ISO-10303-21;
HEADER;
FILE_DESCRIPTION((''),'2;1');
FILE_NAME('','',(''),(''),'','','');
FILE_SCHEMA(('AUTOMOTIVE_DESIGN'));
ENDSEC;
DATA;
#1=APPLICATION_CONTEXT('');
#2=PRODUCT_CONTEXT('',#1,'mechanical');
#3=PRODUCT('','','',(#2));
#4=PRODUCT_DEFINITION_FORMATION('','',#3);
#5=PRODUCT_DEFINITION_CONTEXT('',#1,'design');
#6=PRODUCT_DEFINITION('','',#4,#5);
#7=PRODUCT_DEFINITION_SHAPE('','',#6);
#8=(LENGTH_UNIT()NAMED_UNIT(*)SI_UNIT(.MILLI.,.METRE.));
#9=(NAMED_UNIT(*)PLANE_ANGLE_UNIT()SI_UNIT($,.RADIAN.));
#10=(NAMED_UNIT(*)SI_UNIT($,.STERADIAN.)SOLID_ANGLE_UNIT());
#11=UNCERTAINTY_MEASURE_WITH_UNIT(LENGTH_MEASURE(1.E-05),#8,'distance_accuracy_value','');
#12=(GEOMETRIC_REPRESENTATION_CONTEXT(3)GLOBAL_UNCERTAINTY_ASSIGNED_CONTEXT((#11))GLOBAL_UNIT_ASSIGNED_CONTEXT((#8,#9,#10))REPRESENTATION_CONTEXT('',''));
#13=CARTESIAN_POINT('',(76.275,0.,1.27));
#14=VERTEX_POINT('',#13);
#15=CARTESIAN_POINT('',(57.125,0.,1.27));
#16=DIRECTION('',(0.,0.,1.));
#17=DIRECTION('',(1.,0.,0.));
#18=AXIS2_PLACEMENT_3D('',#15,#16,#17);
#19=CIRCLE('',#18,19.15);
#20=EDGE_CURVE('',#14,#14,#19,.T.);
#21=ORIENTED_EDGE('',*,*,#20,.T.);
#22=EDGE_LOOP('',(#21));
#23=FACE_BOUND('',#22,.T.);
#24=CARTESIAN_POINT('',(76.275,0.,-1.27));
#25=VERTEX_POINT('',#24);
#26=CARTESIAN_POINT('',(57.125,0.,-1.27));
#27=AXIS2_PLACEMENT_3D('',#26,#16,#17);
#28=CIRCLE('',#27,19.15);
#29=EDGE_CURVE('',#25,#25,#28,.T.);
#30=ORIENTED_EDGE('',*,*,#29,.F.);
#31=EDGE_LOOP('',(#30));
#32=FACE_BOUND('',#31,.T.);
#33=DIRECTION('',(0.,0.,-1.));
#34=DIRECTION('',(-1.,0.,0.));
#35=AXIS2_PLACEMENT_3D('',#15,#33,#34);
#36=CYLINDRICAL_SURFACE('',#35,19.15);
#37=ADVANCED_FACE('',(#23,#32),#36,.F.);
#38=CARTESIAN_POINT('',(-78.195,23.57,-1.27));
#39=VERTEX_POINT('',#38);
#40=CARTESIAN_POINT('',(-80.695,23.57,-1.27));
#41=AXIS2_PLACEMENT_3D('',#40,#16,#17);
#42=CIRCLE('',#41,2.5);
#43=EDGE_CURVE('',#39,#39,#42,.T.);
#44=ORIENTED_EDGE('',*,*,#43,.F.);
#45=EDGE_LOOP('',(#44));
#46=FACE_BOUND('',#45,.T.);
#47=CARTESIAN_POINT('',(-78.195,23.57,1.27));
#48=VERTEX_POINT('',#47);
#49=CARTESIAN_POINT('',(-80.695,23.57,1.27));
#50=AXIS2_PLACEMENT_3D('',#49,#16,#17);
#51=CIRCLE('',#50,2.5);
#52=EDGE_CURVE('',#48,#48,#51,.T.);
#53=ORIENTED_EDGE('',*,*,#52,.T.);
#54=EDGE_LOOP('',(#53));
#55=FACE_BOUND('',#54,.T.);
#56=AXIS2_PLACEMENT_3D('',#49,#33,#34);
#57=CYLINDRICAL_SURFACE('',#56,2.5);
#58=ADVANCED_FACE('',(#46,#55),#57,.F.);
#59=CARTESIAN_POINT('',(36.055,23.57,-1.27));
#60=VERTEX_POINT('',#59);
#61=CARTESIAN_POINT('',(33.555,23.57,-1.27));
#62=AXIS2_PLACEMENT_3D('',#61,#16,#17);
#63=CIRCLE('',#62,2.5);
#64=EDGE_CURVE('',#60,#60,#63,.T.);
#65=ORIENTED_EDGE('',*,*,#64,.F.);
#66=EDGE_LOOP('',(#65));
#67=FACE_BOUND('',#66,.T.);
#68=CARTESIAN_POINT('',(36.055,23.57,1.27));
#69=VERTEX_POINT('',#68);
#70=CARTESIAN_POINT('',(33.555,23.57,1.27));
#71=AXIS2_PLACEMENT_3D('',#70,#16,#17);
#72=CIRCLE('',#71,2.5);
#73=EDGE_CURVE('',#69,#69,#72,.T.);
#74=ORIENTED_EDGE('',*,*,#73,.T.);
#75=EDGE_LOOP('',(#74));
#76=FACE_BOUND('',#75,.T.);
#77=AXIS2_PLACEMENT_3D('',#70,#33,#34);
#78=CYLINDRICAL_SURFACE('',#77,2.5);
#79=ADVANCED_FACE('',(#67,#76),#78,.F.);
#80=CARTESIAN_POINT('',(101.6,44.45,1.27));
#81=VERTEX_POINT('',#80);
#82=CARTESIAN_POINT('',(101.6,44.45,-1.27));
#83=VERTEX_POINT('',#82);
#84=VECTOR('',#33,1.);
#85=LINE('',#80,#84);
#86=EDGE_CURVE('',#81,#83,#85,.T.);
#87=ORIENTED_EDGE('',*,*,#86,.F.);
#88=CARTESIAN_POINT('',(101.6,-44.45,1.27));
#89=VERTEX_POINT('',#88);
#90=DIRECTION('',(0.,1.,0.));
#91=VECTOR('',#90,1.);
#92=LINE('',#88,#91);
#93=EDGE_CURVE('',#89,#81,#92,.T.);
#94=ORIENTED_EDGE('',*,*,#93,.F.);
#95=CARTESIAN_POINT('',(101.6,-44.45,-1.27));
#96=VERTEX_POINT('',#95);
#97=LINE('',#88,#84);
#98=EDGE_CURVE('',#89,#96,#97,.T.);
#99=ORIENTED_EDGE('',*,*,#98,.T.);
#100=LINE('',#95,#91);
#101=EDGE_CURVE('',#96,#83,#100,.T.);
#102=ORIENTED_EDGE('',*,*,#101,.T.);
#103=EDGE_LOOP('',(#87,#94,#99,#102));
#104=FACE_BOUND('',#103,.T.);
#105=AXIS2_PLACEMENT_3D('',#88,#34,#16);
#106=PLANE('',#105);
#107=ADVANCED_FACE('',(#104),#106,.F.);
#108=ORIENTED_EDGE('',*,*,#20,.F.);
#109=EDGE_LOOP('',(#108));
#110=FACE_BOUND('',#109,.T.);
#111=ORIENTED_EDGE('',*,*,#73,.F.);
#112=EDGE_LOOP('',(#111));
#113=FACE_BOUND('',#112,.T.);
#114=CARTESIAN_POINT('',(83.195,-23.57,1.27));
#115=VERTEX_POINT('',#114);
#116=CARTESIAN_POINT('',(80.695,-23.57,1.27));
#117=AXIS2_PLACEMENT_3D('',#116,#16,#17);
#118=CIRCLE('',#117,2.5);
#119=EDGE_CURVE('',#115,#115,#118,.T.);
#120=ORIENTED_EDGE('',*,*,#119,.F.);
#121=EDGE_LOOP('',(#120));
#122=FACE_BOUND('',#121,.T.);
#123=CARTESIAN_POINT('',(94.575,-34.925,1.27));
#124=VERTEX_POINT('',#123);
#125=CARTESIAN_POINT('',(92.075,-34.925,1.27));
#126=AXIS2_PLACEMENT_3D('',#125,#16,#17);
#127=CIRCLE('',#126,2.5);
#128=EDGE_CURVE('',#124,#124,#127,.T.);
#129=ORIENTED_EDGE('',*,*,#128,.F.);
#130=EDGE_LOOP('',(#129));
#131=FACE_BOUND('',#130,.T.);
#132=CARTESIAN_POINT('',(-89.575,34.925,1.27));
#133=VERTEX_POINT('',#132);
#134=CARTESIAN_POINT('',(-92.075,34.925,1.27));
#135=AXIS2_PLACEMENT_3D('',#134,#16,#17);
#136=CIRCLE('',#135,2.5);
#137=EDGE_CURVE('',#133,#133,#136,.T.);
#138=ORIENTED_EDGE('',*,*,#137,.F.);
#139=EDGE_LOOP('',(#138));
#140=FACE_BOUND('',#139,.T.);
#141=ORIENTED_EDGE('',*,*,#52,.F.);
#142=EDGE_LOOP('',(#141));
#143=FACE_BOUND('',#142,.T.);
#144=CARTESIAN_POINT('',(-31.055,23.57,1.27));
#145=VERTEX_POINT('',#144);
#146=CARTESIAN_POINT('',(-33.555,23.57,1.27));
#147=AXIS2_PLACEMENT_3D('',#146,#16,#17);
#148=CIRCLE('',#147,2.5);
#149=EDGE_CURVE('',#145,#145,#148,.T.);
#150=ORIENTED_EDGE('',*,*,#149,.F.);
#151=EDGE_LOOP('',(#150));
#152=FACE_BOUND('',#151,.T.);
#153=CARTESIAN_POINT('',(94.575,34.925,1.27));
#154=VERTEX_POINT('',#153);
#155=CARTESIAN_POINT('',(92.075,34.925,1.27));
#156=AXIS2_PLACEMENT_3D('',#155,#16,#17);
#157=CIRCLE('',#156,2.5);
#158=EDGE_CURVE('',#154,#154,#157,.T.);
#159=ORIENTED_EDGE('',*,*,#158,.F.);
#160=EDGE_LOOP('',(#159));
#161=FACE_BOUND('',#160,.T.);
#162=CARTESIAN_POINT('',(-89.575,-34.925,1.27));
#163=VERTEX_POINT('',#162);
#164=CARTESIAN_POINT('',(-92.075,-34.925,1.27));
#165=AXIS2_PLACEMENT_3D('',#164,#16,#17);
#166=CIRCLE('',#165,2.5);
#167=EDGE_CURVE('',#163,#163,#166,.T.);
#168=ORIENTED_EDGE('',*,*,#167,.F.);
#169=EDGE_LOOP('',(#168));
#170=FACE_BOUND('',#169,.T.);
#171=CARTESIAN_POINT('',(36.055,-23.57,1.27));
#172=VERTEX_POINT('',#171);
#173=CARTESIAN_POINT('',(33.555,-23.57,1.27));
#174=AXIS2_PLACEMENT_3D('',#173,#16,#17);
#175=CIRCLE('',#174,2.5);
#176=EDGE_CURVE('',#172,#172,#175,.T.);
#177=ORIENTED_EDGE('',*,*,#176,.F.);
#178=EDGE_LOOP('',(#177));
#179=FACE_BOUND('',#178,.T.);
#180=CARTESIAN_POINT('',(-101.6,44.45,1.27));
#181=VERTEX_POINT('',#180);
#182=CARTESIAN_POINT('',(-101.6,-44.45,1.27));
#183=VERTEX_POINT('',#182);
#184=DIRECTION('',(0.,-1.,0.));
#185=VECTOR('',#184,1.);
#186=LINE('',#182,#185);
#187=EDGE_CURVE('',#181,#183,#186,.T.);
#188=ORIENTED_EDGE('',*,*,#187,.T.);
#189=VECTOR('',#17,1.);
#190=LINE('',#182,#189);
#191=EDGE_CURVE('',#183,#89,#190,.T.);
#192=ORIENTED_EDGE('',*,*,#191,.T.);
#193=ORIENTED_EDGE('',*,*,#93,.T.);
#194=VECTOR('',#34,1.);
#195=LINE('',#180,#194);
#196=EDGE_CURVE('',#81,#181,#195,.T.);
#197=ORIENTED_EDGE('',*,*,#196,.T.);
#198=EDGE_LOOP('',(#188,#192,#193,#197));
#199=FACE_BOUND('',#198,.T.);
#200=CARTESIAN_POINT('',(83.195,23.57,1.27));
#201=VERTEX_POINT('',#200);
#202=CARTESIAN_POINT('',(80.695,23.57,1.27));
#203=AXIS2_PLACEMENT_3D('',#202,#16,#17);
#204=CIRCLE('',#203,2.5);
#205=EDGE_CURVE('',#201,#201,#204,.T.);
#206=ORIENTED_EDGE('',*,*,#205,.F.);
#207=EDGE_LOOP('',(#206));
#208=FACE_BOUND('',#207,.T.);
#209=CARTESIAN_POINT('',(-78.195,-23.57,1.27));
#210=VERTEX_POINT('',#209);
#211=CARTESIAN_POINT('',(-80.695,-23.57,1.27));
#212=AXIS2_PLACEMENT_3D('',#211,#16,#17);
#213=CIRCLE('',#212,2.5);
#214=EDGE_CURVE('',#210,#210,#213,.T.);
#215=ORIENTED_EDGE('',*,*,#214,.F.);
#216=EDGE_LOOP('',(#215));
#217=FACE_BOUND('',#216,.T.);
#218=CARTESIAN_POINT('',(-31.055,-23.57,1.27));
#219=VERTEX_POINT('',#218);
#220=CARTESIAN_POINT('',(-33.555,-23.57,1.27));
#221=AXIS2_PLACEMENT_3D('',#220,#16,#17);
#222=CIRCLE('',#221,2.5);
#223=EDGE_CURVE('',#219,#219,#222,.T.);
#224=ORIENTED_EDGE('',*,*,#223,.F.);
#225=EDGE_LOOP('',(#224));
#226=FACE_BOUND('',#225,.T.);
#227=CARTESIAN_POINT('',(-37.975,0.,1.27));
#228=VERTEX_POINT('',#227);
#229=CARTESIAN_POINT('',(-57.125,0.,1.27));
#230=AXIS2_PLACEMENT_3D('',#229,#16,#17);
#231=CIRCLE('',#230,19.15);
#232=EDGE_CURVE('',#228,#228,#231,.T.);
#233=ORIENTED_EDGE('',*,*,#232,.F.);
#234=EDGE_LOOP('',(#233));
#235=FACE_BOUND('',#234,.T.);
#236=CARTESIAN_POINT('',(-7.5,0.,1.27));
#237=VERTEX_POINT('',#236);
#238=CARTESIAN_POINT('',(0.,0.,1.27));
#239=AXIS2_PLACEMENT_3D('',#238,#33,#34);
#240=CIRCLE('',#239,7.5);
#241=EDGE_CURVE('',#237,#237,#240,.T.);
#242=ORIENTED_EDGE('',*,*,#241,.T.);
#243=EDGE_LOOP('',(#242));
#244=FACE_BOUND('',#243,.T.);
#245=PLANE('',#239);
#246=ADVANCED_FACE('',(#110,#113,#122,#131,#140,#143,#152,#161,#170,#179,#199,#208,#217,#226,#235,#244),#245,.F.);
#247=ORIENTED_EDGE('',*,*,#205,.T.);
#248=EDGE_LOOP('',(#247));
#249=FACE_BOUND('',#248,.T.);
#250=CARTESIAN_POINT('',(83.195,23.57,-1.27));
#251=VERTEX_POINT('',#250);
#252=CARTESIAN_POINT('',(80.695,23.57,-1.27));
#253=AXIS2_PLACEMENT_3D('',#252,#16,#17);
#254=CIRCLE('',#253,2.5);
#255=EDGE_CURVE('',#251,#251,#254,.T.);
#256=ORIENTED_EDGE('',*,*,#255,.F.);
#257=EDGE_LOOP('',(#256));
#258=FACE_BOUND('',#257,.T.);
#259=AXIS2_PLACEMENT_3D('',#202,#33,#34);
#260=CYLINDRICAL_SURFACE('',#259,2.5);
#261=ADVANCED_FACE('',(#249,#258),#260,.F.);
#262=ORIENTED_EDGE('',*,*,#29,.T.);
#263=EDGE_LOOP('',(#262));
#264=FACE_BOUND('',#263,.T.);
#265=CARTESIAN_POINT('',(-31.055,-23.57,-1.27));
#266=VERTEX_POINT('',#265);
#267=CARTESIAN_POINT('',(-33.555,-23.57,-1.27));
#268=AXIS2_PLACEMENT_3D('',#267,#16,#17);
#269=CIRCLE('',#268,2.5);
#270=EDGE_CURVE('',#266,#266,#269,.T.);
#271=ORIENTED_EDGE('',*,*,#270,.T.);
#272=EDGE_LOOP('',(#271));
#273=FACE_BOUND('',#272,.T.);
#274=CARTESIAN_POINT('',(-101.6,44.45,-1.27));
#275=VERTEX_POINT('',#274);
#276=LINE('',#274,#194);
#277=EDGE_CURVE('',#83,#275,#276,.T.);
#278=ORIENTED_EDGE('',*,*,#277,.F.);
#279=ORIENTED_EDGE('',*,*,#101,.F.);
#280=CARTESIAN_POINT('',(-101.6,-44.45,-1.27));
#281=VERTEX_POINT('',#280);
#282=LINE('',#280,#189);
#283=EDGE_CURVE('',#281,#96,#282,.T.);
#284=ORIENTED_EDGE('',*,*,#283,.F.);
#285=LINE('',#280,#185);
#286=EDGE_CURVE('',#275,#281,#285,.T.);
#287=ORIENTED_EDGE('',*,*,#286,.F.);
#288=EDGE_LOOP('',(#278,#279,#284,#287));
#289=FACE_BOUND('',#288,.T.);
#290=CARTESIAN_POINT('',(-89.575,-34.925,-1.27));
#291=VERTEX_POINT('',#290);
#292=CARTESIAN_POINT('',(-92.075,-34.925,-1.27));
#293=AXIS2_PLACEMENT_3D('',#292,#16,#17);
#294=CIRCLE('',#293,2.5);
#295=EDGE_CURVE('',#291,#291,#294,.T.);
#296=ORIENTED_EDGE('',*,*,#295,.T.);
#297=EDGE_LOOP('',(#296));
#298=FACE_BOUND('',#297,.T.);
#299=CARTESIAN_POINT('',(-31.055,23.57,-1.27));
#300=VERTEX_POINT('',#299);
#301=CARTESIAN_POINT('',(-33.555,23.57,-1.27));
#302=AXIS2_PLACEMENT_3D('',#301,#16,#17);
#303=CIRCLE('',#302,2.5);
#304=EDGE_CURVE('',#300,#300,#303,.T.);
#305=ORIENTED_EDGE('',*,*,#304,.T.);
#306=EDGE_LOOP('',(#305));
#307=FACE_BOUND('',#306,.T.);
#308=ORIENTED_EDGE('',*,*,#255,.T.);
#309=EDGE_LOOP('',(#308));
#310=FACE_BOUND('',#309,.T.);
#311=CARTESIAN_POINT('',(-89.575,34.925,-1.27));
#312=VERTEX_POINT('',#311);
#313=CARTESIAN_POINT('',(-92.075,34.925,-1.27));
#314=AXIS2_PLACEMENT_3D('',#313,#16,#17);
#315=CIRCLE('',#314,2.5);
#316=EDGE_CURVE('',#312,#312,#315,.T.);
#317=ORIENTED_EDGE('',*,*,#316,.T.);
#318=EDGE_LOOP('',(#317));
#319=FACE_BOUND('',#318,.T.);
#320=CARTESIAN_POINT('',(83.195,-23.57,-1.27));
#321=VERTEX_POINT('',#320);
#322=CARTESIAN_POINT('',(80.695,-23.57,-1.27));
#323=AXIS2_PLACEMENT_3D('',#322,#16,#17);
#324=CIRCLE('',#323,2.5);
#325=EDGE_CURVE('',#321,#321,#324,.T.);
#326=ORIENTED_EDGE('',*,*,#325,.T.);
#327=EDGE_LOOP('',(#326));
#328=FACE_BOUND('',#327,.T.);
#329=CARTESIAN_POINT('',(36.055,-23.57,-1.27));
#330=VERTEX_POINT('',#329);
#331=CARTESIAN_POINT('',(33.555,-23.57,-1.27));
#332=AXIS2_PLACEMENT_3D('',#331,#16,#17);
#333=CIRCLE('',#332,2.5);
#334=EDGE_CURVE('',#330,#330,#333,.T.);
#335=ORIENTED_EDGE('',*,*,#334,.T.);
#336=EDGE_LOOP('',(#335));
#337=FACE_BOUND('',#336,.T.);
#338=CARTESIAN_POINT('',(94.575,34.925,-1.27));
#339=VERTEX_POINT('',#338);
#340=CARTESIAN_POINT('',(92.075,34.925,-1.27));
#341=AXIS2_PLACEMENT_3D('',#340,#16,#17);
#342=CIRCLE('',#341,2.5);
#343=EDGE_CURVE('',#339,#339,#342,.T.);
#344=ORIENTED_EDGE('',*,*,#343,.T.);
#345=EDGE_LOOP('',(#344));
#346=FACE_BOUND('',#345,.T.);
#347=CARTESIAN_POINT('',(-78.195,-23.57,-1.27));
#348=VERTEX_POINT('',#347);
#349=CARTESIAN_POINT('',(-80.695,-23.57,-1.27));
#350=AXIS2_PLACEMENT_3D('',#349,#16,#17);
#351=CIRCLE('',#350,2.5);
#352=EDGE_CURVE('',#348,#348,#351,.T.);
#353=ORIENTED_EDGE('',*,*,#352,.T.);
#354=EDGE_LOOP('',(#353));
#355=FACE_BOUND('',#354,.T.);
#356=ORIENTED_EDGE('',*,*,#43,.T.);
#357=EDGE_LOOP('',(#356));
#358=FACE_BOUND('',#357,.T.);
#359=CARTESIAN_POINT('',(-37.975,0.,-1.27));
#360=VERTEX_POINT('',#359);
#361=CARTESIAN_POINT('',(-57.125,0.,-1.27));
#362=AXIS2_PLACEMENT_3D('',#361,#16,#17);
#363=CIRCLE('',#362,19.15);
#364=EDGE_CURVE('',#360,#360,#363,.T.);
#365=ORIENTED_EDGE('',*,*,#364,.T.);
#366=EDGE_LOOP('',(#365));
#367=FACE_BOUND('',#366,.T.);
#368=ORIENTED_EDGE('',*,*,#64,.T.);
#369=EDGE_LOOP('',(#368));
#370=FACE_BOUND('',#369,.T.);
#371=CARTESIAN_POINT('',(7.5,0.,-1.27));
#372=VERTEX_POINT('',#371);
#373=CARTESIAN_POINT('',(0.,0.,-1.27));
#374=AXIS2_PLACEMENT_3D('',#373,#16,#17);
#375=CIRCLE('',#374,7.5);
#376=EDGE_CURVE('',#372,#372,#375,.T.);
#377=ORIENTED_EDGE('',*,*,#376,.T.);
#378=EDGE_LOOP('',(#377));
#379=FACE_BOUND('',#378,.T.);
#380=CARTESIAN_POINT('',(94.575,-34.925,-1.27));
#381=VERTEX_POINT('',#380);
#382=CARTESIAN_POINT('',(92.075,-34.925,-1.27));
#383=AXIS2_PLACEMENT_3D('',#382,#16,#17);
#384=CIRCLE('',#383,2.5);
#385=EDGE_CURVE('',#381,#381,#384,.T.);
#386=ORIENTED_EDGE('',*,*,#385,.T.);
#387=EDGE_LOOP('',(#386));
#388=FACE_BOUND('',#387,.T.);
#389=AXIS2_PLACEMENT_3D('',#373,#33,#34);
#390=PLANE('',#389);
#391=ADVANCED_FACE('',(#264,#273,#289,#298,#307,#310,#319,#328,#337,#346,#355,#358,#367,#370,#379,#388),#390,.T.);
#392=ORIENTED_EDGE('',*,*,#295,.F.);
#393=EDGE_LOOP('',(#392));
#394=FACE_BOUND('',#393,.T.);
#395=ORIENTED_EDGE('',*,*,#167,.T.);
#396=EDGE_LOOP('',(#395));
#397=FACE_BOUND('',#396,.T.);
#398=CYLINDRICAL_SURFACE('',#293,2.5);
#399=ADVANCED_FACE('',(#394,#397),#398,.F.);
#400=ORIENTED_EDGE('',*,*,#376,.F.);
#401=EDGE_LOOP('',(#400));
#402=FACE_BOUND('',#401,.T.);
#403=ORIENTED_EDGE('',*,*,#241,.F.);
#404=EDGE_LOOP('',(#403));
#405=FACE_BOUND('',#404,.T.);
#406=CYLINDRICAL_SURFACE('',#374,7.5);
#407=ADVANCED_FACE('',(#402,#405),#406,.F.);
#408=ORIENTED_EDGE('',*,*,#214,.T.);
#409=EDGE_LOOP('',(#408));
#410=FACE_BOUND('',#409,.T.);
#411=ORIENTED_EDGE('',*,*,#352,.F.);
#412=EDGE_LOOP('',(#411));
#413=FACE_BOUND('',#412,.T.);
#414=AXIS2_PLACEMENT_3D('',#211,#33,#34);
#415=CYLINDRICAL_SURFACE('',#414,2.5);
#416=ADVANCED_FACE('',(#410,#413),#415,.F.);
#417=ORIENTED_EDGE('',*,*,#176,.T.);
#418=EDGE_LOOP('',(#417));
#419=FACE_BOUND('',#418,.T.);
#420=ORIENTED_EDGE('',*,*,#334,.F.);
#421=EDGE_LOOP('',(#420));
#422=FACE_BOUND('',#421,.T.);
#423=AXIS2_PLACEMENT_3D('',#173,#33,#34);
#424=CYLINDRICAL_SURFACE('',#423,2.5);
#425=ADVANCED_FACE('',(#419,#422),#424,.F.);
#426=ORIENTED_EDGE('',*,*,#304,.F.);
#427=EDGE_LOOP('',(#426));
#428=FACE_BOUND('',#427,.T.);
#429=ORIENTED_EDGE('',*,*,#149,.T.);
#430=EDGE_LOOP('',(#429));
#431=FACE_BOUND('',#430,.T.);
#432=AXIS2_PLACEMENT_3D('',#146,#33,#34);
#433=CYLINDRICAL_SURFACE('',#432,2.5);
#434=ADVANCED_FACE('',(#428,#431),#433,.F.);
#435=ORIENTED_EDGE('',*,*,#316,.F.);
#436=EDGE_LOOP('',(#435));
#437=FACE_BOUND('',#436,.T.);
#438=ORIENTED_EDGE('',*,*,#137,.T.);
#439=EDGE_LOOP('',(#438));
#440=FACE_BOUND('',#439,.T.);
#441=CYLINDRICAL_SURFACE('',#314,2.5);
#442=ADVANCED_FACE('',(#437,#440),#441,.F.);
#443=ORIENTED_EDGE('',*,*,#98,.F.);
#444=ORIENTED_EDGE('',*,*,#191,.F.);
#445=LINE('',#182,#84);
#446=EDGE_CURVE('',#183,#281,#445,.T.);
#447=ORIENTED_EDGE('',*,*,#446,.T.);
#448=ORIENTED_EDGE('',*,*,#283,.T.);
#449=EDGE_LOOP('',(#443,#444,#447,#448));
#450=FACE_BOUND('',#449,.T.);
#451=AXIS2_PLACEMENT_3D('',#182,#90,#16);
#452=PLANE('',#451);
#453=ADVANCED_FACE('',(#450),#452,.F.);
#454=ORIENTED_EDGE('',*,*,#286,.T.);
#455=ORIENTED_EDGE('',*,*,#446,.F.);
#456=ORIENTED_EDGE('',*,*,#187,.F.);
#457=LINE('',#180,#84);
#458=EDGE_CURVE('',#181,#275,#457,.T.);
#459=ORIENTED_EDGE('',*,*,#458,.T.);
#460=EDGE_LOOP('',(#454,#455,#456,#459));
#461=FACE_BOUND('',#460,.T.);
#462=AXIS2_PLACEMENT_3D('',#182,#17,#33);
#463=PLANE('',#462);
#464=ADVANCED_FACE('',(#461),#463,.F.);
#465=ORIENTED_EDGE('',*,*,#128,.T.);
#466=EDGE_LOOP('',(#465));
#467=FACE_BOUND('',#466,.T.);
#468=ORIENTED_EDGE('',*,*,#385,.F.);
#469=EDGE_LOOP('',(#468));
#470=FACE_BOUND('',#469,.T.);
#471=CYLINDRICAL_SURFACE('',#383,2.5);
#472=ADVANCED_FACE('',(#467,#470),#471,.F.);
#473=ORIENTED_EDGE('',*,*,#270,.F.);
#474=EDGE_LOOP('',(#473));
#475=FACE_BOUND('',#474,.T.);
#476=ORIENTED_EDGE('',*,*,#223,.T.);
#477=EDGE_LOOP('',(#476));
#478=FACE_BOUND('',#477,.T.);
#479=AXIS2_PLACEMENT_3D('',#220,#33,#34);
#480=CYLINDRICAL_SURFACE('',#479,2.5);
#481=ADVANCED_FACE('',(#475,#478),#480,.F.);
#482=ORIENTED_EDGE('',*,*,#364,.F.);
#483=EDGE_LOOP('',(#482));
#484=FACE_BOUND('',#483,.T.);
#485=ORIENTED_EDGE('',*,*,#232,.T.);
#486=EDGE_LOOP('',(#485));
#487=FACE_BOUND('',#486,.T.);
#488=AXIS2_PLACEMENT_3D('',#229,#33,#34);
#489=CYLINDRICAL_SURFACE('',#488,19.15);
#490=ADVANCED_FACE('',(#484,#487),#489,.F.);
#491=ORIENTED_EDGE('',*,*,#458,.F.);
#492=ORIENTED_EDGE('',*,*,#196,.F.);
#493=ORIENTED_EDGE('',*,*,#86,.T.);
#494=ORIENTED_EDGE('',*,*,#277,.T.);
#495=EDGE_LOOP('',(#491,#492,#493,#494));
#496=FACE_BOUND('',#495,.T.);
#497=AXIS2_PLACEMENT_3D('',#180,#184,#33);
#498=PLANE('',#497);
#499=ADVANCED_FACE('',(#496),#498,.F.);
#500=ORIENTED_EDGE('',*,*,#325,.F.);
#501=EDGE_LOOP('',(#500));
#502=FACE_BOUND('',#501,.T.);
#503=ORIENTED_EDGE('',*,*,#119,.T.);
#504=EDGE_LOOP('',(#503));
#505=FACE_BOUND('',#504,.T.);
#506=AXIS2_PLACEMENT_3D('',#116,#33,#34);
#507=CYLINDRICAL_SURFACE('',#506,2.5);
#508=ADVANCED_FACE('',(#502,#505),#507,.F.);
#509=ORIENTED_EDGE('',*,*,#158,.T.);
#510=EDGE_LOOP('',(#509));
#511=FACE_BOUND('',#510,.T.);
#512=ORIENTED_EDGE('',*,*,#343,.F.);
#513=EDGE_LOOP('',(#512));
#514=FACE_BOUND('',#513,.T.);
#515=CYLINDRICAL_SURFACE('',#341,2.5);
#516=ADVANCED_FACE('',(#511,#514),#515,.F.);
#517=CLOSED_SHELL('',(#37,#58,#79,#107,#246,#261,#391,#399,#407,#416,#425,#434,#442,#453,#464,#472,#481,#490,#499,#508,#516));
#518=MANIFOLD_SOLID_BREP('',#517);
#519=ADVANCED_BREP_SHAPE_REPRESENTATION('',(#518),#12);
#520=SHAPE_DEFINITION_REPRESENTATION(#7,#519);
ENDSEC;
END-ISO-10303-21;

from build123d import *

# Parameters (mm, degrees)
SKETCH2_W               = 203.2
SKETCH2_H               = 88.9
SKETCH2_R               = 2.5
SKETCH2_R_2             = 19.15
BOSS_EXTRUDE1_DEPTH     = 1.27
SKETCH3_R               = 2.5
CUT_EXTRUDE1_DEPTH      = 111.92706658
CUT_EXTRUDE2_DEPTH      = 111.92706658
CUT_EXTRUDE2_DEPTH_BACK = 111.92706658
SKETCH4_R               = 7.5


with BuildPart() as part:
    # Sketch2 → Boss-Extrude1 (new, symmetric)
    with BuildSketch(Plane.XY):
        Rectangle(SKETCH2_W, SKETCH2_H)
        with Locations((-80.695, -23.57)):
            Circle(SKETCH2_R, mode=Mode.SUBTRACT)
        with Locations((-33.555, -23.57)):
            Circle(SKETCH2_R, mode=Mode.SUBTRACT)
        with Locations((-33.555, 23.57)):
            Circle(SKETCH2_R, mode=Mode.SUBTRACT)
        with Locations((-80.695, 23.57)):
            Circle(SKETCH2_R, mode=Mode.SUBTRACT)
        with Locations((33.555, 23.57)):
            Circle(SKETCH2_R, mode=Mode.SUBTRACT)
        with Locations((80.695, 23.57)):
            Circle(SKETCH2_R, mode=Mode.SUBTRACT)
        with Locations((33.555, -23.57)):
            Circle(SKETCH2_R, mode=Mode.SUBTRACT)
        with Locations((80.695, -23.57)):
            Circle(SKETCH2_R, mode=Mode.SUBTRACT)
        with Locations((-57.125, 0)):
            Circle(SKETCH2_R_2, mode=Mode.SUBTRACT)
        with Locations((57.125, 0)):
            Circle(SKETCH2_R_2, mode=Mode.SUBTRACT)
    extrude(amount=BOSS_EXTRUDE1_DEPTH, both=True)

    # Sketch3 → Cut-Extrude1 (cut, through all)
    with BuildSketch(Plane.XY.offset(1.27)):
        with Locations((-92.075, 34.925)):
            Circle(SKETCH3_R)
        with Locations((-92.075, -34.925)):
            Circle(SKETCH3_R)
        with Locations((92.075, -34.925)):
            Circle(SKETCH3_R)
        with Locations((92.075, 34.925)):
            Circle(SKETCH3_R)
    extrude(amount=-CUT_EXTRUDE1_DEPTH, mode=Mode.SUBTRACT)

    # Sketch4 → Cut-Extrude2 (cut, two sides: drawn at the far end of the back side and taken through both)
    with BuildSketch(Plane.XY.offset(1.27).offset(-CUT_EXTRUDE2_DEPTH_BACK)):
        Circle(SKETCH4_R)
    extrude(amount=CUT_EXTRUDE2_DEPTH + CUT_EXTRUDE2_DEPTH_BACK, mode=Mode.SUBTRACT)


solid = part.part
